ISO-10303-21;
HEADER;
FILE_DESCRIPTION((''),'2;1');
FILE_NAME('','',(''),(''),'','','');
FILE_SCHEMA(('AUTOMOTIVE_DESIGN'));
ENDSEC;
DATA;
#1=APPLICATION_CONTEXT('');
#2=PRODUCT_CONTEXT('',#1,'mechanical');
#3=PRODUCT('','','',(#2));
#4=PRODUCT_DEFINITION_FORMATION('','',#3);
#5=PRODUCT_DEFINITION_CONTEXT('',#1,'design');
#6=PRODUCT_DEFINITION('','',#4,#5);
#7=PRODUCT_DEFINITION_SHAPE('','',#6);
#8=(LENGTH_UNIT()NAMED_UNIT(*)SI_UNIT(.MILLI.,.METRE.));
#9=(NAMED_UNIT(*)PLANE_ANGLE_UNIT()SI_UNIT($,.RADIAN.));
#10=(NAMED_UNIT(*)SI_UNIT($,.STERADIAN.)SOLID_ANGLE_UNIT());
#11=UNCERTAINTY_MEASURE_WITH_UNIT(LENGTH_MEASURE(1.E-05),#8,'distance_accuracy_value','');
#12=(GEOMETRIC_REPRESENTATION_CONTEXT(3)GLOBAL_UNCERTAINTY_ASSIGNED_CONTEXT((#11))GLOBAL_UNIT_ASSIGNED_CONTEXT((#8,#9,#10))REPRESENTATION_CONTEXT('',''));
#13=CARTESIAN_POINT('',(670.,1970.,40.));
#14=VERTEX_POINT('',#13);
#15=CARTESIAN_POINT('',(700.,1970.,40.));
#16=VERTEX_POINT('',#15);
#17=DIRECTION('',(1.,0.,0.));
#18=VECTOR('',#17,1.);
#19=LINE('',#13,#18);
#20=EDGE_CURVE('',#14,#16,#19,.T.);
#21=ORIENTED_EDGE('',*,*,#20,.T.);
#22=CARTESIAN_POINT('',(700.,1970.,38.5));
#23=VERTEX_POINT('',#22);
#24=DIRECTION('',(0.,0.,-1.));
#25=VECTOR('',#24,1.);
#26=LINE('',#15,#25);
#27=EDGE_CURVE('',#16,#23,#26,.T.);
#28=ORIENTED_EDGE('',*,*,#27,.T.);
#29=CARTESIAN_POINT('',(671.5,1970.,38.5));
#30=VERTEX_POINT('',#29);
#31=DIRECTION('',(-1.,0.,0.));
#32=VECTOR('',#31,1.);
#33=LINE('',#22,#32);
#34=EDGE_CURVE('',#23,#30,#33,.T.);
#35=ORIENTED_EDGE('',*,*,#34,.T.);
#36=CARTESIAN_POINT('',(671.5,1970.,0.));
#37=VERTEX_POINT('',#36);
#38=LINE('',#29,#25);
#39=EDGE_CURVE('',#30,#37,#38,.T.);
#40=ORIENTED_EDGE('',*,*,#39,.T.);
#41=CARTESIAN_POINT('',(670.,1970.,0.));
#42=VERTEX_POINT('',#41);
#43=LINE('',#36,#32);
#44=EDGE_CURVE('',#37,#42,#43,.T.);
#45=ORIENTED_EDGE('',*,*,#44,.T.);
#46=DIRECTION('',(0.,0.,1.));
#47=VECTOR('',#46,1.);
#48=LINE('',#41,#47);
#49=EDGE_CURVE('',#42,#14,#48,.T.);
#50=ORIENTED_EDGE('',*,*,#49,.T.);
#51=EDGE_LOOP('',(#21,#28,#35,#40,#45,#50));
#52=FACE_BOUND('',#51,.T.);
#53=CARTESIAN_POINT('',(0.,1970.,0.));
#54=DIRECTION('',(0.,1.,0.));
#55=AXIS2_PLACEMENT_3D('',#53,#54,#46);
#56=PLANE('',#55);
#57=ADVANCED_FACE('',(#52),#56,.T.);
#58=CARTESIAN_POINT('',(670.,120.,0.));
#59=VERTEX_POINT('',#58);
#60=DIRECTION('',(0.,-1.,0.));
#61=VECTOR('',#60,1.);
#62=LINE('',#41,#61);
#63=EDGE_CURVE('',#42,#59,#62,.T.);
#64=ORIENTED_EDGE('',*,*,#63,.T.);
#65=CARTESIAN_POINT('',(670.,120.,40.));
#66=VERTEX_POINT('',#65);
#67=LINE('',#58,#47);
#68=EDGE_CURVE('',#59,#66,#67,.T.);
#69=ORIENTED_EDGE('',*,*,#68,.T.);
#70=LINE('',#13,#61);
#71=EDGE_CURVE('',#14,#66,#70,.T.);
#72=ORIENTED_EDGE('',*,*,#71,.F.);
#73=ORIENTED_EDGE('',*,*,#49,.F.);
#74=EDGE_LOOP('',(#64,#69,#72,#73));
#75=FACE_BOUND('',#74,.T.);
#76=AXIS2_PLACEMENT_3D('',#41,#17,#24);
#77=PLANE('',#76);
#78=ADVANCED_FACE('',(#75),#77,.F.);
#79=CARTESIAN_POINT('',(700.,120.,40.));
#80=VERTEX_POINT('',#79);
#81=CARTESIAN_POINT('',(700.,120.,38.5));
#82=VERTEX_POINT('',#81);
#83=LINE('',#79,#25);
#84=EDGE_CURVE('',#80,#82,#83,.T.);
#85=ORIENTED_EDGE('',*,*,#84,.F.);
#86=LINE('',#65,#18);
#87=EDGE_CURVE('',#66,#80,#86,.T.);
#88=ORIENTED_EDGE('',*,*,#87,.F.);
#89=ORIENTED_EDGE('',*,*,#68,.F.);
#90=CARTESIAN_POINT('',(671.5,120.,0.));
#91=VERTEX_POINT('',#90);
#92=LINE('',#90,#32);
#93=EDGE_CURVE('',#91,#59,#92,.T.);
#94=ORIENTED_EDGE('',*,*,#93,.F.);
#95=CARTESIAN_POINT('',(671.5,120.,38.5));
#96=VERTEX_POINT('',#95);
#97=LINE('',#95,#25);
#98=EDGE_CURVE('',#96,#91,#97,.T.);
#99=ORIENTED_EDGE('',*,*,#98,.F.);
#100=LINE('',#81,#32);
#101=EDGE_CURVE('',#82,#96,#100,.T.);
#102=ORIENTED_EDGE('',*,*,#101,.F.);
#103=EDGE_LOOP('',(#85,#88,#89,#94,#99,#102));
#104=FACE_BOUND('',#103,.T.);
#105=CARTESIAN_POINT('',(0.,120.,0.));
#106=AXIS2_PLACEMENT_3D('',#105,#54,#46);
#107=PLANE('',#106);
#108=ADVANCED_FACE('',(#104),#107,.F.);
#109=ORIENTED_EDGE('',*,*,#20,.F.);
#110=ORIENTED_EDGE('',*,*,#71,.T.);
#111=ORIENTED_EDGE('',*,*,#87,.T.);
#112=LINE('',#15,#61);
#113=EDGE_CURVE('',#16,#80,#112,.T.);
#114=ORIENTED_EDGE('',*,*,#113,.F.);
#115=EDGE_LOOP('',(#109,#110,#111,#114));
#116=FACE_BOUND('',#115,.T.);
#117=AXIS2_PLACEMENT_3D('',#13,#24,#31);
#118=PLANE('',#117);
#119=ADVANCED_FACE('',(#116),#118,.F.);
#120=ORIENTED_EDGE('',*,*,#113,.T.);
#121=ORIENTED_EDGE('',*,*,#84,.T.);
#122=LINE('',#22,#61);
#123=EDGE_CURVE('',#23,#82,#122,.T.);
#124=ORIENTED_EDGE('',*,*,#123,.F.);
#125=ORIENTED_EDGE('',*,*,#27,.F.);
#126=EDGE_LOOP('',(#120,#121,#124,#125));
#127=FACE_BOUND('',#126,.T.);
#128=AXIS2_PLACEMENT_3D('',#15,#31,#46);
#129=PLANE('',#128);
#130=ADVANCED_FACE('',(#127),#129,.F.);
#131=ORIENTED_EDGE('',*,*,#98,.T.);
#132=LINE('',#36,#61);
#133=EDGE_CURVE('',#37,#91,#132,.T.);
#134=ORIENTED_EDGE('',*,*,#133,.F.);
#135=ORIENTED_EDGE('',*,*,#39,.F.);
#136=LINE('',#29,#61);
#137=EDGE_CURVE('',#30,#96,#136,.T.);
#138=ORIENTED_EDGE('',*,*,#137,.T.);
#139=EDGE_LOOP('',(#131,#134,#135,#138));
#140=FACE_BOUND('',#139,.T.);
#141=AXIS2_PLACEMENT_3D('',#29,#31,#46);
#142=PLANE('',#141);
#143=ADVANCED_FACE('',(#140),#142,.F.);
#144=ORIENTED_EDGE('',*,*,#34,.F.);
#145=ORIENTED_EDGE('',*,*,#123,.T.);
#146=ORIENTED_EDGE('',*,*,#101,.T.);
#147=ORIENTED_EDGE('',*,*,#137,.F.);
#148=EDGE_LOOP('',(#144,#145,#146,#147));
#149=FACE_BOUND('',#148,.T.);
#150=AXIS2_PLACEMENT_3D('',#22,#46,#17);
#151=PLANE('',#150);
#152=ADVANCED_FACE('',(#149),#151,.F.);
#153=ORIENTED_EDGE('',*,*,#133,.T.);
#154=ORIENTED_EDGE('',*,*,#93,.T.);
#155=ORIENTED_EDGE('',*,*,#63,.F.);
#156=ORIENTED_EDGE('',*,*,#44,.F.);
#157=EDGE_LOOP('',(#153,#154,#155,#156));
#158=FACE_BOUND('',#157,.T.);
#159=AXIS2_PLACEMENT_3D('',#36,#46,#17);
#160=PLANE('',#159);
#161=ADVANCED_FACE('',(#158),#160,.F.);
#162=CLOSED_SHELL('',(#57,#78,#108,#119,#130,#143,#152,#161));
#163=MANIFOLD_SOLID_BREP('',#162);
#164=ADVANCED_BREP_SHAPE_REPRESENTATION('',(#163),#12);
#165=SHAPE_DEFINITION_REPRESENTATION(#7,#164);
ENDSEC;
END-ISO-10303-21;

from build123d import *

# Parameters (mm, degrees)
PRESS_SOVE_SAG_1_START = 120
PRESS_SOVE_SAG_1_DEPTH = 1850


with BuildPart() as part:
    # Sketch1 → PRESS_sove_sag_1 (new body)
    with BuildSketch(Plane(origin=(0, 0, 0), x_dir=(1, 0, 0), z_dir=(0, 1, 0)).offset(PRESS_SOVE_SAG_1_START)):
        Polygon((700, -40), (700, -38.5), (671.5, -38.5), (671.5, 0), (670, 0), (670, -40), align=None)
    extrude(amount=PRESS_SOVE_SAG_1_DEPTH)


solid = part.part
